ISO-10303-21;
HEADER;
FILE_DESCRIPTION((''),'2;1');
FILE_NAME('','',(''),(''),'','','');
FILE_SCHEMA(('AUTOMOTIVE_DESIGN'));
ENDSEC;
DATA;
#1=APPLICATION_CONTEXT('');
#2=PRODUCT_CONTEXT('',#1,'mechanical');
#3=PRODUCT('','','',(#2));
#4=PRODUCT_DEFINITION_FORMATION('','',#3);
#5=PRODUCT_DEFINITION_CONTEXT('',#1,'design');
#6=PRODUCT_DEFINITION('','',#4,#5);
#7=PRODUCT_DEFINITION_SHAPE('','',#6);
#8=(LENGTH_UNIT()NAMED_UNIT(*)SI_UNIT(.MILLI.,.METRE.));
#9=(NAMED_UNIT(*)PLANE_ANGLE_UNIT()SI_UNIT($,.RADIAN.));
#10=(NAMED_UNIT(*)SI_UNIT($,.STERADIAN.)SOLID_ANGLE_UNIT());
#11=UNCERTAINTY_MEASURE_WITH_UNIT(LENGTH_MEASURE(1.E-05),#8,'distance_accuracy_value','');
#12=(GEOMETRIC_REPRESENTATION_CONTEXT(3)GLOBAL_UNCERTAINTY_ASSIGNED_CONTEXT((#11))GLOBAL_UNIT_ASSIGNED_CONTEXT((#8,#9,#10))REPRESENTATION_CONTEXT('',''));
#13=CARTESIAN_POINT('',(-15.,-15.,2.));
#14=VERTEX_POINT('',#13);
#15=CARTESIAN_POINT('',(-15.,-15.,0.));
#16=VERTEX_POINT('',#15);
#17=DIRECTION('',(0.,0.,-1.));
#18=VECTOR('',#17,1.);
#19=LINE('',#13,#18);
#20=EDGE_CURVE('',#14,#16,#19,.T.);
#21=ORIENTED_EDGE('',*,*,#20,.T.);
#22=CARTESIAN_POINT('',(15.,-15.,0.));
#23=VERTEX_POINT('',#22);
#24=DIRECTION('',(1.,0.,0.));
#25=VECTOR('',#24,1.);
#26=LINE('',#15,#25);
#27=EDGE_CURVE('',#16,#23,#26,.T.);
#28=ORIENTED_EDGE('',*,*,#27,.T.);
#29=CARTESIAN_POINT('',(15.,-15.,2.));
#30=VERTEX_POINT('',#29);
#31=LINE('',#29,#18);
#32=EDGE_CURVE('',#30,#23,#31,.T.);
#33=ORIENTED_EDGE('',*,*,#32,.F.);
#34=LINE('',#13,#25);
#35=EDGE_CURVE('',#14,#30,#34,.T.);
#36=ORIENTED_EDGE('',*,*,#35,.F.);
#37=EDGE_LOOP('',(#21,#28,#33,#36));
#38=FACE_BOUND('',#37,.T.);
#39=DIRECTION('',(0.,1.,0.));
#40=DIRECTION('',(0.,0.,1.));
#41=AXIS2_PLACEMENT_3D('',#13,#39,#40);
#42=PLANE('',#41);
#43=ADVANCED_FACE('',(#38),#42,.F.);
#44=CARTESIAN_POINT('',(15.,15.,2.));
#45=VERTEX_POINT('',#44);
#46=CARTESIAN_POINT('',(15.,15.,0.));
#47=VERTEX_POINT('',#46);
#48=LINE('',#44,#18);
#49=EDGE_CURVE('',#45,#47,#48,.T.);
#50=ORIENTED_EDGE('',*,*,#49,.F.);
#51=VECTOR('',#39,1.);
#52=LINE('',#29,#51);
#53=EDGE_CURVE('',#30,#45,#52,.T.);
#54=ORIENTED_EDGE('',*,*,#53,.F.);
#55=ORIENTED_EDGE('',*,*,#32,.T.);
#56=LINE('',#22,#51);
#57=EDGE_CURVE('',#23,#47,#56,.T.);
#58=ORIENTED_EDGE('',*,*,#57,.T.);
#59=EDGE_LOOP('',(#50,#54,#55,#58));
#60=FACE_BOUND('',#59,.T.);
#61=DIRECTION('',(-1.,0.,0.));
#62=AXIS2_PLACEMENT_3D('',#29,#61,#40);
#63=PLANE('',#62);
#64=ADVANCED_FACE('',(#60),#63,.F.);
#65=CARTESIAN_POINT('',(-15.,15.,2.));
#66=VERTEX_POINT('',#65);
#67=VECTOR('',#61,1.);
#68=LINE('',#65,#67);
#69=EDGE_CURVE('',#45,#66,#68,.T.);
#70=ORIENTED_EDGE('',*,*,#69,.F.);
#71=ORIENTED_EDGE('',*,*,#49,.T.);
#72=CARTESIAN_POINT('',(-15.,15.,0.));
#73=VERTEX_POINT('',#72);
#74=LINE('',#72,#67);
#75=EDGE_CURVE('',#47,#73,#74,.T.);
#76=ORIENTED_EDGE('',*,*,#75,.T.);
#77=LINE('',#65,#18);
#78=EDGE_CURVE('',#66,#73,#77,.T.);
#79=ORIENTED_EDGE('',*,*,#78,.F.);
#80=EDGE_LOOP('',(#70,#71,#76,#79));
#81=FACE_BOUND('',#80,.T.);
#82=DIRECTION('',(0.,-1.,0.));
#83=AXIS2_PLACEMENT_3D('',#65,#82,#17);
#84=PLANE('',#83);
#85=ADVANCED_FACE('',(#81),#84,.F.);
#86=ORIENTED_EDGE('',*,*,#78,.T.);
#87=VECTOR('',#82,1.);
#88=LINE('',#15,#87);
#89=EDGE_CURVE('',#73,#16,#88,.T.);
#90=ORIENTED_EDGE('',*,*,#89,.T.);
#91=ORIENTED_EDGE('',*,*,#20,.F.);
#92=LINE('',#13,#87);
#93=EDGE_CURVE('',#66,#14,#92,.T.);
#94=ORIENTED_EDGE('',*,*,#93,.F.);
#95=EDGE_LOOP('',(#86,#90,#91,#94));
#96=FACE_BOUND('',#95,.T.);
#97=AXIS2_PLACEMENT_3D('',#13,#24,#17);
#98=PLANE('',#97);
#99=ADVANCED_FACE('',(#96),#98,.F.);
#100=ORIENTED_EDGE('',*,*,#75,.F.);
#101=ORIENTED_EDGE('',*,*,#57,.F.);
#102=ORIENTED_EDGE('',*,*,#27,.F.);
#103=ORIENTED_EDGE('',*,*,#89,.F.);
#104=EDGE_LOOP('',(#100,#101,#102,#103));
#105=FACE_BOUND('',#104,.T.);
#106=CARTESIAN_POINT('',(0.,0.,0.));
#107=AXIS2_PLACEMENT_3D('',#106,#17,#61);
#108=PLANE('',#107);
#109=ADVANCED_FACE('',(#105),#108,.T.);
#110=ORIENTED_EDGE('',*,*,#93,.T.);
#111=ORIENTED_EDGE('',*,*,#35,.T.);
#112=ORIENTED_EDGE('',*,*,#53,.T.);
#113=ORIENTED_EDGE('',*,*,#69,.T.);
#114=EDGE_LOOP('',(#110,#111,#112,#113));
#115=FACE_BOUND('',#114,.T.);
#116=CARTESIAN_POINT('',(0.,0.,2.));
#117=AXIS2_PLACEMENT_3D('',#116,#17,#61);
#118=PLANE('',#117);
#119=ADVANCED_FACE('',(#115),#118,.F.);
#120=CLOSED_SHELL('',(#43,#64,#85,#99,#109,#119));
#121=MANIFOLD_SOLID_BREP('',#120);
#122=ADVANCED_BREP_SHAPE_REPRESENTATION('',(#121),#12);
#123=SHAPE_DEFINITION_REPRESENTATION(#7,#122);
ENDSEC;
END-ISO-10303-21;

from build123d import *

# Parameters (mm, degrees)
ESQUISSE1_W        = 30
ESQUISSE1_H        = 30
BOSS_EXTRU_1_DEPTH = 2


with BuildPart() as part:
    # Esquisse1 → Boss.-Extru.1 (new body)
    with BuildSketch(Plane.XY):
        Rectangle(ESQUISSE1_W, ESQUISSE1_H)
    extrude(amount=BOSS_EXTRU_1_DEPTH)


solid = part.part
